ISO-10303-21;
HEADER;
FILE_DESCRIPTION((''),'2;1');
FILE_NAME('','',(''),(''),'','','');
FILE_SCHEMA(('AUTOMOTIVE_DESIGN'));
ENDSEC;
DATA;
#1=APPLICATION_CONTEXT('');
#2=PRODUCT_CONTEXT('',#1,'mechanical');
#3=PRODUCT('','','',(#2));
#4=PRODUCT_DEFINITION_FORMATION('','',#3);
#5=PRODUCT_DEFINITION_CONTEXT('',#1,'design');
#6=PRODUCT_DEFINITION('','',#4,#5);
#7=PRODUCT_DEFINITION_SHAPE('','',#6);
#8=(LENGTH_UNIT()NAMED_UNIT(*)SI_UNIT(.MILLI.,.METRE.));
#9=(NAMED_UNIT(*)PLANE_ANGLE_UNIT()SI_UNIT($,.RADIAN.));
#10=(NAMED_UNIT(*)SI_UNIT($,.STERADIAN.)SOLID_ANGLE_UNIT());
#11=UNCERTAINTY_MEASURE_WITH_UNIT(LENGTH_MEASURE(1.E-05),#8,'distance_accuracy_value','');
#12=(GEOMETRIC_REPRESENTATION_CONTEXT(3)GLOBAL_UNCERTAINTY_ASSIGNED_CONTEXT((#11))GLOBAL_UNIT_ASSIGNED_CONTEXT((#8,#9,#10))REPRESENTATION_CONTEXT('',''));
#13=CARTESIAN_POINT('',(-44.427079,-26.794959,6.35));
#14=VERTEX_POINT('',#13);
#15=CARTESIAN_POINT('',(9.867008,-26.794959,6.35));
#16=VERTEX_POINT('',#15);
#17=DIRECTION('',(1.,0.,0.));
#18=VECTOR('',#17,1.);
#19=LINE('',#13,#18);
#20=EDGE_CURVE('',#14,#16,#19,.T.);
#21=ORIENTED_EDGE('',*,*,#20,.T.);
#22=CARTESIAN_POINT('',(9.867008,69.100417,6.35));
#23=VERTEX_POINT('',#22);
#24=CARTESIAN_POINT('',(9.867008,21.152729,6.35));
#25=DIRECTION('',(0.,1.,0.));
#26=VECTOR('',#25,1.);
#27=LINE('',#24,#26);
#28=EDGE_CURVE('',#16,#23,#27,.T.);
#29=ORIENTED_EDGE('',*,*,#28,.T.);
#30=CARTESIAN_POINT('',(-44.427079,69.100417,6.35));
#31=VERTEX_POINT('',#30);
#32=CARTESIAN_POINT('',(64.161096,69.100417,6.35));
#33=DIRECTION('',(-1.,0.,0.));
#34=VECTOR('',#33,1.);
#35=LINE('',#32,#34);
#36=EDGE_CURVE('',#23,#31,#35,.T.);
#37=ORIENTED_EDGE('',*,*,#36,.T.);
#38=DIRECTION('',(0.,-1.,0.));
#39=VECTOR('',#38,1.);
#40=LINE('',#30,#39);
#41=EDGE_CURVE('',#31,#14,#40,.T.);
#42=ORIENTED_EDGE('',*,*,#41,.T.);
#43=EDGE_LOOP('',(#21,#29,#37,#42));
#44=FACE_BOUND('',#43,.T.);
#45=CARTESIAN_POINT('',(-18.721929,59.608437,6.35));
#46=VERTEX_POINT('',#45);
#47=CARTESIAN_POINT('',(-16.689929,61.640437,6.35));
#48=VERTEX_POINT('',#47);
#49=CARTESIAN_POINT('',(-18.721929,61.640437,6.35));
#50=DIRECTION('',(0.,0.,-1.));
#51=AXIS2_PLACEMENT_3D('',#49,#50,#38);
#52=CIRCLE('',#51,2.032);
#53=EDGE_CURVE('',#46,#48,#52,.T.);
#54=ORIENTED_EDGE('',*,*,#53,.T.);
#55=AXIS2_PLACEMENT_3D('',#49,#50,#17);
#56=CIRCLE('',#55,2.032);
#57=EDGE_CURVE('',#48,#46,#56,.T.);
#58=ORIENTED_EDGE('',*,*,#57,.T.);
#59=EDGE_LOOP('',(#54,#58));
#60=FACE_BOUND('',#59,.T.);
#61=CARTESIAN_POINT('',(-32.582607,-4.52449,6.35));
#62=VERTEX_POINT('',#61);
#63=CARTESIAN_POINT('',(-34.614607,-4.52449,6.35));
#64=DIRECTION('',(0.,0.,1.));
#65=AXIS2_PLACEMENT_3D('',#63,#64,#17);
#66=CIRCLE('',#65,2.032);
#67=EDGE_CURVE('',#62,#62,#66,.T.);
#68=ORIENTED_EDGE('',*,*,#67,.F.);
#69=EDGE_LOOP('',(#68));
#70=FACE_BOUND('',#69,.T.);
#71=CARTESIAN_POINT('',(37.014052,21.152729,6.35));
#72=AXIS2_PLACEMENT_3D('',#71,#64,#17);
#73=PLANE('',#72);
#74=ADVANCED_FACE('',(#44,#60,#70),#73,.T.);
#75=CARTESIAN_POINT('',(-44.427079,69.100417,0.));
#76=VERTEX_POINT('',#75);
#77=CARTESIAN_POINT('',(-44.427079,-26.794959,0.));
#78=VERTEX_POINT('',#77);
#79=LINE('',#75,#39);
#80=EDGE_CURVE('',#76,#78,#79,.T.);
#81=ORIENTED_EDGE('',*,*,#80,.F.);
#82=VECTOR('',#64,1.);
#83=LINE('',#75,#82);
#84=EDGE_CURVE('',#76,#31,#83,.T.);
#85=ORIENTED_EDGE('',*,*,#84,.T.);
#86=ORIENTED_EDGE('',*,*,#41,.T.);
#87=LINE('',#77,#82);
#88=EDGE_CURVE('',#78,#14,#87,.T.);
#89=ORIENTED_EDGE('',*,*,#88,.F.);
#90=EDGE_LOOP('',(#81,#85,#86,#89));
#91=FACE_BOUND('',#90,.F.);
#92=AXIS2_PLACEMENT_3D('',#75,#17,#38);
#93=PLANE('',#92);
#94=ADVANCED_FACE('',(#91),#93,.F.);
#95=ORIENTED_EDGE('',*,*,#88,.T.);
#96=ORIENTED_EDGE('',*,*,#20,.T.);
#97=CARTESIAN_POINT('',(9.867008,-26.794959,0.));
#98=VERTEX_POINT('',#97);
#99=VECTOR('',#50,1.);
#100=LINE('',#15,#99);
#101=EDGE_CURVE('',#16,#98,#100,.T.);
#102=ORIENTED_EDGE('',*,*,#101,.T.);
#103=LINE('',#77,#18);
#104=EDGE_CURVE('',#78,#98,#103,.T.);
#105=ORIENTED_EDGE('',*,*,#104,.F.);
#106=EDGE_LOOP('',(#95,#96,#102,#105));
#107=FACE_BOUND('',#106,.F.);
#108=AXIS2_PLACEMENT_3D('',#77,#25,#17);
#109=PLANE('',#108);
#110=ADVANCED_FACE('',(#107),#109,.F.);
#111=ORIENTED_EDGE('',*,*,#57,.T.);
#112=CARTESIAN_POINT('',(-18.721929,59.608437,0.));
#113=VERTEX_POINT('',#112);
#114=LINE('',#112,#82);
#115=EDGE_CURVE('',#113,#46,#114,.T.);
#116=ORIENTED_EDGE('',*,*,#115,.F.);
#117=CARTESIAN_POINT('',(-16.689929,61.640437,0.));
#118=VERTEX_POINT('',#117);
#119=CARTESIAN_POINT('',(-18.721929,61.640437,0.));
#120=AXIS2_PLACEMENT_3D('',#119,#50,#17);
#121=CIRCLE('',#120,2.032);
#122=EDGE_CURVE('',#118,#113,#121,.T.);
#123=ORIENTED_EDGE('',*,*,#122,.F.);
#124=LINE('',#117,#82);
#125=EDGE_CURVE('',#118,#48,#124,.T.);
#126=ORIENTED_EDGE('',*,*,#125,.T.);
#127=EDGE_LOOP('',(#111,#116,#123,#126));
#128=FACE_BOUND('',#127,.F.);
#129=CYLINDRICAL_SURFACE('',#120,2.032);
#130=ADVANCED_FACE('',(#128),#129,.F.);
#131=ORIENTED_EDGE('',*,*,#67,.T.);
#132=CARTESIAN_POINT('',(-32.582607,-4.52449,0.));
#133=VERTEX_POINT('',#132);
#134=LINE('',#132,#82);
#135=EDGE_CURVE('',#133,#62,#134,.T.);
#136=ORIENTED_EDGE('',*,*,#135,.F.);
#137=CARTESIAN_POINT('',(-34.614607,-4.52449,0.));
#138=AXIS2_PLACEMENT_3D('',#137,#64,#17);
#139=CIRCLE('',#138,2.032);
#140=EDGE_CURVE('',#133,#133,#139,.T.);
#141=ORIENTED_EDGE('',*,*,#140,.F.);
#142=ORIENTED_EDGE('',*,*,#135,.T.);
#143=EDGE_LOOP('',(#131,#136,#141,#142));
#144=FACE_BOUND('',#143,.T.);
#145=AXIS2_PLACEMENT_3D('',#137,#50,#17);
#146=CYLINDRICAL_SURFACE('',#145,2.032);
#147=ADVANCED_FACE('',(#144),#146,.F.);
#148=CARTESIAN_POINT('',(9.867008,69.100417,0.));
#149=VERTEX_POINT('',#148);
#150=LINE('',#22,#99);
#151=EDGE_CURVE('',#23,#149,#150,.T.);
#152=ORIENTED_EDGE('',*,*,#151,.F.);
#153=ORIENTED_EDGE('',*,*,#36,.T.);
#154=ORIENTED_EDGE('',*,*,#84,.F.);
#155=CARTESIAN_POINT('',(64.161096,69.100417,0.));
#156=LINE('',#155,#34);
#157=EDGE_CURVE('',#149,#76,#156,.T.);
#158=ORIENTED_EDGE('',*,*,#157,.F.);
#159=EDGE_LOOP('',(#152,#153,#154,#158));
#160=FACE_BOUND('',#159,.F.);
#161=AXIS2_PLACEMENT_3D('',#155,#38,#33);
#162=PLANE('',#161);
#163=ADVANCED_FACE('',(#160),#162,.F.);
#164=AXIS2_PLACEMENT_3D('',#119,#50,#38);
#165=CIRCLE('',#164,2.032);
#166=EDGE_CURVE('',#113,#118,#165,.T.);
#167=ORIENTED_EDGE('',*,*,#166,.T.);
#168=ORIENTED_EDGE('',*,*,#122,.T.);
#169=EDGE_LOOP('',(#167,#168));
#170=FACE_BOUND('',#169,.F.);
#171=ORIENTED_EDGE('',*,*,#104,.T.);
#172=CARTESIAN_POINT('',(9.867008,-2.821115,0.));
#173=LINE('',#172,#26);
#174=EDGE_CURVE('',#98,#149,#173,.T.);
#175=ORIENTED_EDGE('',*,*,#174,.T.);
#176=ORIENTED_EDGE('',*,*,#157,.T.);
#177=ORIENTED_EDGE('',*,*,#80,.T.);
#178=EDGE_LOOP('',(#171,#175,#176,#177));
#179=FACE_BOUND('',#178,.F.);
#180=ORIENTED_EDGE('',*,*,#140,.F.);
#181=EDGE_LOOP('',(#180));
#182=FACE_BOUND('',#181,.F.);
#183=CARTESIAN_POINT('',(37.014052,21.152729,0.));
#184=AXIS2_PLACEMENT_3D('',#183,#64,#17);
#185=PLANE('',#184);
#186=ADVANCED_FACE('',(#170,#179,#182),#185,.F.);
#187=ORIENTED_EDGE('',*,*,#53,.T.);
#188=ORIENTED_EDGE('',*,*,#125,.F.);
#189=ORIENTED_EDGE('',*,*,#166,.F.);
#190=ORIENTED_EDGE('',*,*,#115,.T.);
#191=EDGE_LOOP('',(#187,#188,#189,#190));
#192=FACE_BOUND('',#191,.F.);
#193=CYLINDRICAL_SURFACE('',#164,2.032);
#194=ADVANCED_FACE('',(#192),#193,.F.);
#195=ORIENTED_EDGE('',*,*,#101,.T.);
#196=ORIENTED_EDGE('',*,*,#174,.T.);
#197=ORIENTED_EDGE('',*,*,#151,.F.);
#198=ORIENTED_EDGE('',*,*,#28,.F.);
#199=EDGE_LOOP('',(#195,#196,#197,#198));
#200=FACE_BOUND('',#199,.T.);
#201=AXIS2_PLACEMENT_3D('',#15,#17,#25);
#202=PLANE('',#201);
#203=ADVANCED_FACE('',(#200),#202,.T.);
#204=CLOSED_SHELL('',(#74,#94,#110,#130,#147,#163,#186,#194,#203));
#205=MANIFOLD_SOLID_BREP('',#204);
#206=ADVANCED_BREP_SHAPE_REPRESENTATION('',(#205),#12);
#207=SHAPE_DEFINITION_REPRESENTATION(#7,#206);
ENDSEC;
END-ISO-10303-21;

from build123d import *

# Parameters (mm, degrees)
F0_W        = 20.9599784
F0_H        = 42.260012
F0_R        = 2.032
F1_DEPTH    = 6.35
F2_W        = 32.0040006191
F2_H        = 57.15
F2_W_2      = 20.9599784
F2_H_2      = 42.260012
F3_DEPTH    = 12.7
F4_W        = 54.2940877291
F4_H        = 95.895376205
F4_W_2      = 32.0040006191
F4_H_2      = 57.15
F4_R        = 2.032
F3_FACE_W   = 32.0040006191
F3_FACE_H   = 57.15
F3_FACE_W_2 = 20.9599784
F3_FACE_H_2 = 42.260012
F5_DEPTH    = 25.4


with BuildPart() as f1:
    # F0 (on Top) → F1 (new body)
    with BuildSketch(Plane.XY):
        Polygon((64.1610962078, 69.1004172512), (36.6851288078, 69.1004172512), (9.8670084787, 69.1004172512), (9.8670084787, 61.6404372512), (9.8670084787, -26.7949589538), (64.1610962078, -26.7949589538), align=None)
        with Locations((47.1651180078, 4.2184540512)):
            Rectangle(F0_W, F0_H, mode=Mode.SUBTRACT)
        with BuildLine():
            ThreePointArc((34.2246816078, 61.6404372512), (32.1926816078, 59.6084372512), (30.1606816078, 61.6404372512))
            ThreePointArc((30.1606816078, 61.6404372512), (32.1926816078, 63.6724372512), (34.2246816078, 61.6404372512))
        make_face(mode=Mode.SUBTRACT)
        with BuildLine():
            Line((9.8670084787, 61.6404372512), (9.8670084787, 69.1004172512))
            Line((9.8670084787, 69.1004172512), (-44.4270792504, 69.1004172512))
            Line((-44.4270792504, 69.1004172512), (-44.4270792504, -26.7949589538))
            Line((-44.4270792504, -26.7949589538), (-18.7219286708, -26.7949589538))
            Line((-18.7219286708, -26.7949589538), (-18.7219286708, 59.6084372512))
            ThreePointArc((-18.7219286708, 59.6084372512), (-20.1587696502, 63.0772782306), (-16.6899286708, 61.6404372512))
            Line((-16.6899286708, 61.6404372512), (9.8670084787, 61.6404372512))
        make_face()
        with Locations((-34.6146070708, -4.524490289)):
            Circle(F0_R, mode=Mode.SUBTRACT)
        with BuildLine():
            Line((9.8670084787, -26.7949589538), (9.8670084787, 61.6404372512))
            Line((9.8670084787, 61.6404372512), (-16.6899286708, 61.6404372512))
            ThreePointArc((-16.6899286708, 61.6404372512), (-17.2850876915, 60.2035962718), (-18.7219286708, 59.6084372512))
            Line((-18.7219286708, 59.6084372512), (-18.7219286708, -26.7949589538))
            Line((-18.7219286708, -26.7949589538), (9.8670084787, -26.7949589538))
        make_face()
    extrude(amount=F1_DEPTH)

    # F2 (on face) → F3 (join)
    with BuildSketch(Plane.XY.offset(6.35)):
        with Locations((47.0991291173, 4.2974480512)):
            Rectangle(F2_W, F2_H)
        with Locations((47.1651180078, 4.2184540512)):
            Rectangle(F2_W_2, F2_H_2, mode=Mode.SUBTRACT)
    extrude(amount=F3_DEPTH)

    # F4 (on face) + F3_face (on face) → F5 (cut)
    with BuildSketch(Plane.XY.offset(6.35)):
        with Locations((37.0140523432, 21.1527291487)):
            Rectangle(F4_W, F4_H)
        with Locations((47.0991291173, 4.2974480512)):
            Rectangle(F4_W_2, F4_H_2, mode=Mode.SUBTRACT)
        with Locations((32.1926816078, 61.6404372512)):
            Circle(F4_R, mode=Mode.SUBTRACT)
    with BuildSketch(Plane(origin=(47.0371621853, 4.371627444, 19.05), x_dir=(1, 0, 0), z_dir=(0, 0, 1))):
        with Locations((0.061966932, -0.0741793928)):
            Rectangle(F3_FACE_W, F3_FACE_H)
        with Locations((0.1279558225, -0.1531733928)):
            Rectangle(F3_FACE_W_2, F3_FACE_H_2, mode=Mode.SUBTRACT)
    extrude(amount=-F5_DEPTH, mode=Mode.SUBTRACT)


solid = f1.part
